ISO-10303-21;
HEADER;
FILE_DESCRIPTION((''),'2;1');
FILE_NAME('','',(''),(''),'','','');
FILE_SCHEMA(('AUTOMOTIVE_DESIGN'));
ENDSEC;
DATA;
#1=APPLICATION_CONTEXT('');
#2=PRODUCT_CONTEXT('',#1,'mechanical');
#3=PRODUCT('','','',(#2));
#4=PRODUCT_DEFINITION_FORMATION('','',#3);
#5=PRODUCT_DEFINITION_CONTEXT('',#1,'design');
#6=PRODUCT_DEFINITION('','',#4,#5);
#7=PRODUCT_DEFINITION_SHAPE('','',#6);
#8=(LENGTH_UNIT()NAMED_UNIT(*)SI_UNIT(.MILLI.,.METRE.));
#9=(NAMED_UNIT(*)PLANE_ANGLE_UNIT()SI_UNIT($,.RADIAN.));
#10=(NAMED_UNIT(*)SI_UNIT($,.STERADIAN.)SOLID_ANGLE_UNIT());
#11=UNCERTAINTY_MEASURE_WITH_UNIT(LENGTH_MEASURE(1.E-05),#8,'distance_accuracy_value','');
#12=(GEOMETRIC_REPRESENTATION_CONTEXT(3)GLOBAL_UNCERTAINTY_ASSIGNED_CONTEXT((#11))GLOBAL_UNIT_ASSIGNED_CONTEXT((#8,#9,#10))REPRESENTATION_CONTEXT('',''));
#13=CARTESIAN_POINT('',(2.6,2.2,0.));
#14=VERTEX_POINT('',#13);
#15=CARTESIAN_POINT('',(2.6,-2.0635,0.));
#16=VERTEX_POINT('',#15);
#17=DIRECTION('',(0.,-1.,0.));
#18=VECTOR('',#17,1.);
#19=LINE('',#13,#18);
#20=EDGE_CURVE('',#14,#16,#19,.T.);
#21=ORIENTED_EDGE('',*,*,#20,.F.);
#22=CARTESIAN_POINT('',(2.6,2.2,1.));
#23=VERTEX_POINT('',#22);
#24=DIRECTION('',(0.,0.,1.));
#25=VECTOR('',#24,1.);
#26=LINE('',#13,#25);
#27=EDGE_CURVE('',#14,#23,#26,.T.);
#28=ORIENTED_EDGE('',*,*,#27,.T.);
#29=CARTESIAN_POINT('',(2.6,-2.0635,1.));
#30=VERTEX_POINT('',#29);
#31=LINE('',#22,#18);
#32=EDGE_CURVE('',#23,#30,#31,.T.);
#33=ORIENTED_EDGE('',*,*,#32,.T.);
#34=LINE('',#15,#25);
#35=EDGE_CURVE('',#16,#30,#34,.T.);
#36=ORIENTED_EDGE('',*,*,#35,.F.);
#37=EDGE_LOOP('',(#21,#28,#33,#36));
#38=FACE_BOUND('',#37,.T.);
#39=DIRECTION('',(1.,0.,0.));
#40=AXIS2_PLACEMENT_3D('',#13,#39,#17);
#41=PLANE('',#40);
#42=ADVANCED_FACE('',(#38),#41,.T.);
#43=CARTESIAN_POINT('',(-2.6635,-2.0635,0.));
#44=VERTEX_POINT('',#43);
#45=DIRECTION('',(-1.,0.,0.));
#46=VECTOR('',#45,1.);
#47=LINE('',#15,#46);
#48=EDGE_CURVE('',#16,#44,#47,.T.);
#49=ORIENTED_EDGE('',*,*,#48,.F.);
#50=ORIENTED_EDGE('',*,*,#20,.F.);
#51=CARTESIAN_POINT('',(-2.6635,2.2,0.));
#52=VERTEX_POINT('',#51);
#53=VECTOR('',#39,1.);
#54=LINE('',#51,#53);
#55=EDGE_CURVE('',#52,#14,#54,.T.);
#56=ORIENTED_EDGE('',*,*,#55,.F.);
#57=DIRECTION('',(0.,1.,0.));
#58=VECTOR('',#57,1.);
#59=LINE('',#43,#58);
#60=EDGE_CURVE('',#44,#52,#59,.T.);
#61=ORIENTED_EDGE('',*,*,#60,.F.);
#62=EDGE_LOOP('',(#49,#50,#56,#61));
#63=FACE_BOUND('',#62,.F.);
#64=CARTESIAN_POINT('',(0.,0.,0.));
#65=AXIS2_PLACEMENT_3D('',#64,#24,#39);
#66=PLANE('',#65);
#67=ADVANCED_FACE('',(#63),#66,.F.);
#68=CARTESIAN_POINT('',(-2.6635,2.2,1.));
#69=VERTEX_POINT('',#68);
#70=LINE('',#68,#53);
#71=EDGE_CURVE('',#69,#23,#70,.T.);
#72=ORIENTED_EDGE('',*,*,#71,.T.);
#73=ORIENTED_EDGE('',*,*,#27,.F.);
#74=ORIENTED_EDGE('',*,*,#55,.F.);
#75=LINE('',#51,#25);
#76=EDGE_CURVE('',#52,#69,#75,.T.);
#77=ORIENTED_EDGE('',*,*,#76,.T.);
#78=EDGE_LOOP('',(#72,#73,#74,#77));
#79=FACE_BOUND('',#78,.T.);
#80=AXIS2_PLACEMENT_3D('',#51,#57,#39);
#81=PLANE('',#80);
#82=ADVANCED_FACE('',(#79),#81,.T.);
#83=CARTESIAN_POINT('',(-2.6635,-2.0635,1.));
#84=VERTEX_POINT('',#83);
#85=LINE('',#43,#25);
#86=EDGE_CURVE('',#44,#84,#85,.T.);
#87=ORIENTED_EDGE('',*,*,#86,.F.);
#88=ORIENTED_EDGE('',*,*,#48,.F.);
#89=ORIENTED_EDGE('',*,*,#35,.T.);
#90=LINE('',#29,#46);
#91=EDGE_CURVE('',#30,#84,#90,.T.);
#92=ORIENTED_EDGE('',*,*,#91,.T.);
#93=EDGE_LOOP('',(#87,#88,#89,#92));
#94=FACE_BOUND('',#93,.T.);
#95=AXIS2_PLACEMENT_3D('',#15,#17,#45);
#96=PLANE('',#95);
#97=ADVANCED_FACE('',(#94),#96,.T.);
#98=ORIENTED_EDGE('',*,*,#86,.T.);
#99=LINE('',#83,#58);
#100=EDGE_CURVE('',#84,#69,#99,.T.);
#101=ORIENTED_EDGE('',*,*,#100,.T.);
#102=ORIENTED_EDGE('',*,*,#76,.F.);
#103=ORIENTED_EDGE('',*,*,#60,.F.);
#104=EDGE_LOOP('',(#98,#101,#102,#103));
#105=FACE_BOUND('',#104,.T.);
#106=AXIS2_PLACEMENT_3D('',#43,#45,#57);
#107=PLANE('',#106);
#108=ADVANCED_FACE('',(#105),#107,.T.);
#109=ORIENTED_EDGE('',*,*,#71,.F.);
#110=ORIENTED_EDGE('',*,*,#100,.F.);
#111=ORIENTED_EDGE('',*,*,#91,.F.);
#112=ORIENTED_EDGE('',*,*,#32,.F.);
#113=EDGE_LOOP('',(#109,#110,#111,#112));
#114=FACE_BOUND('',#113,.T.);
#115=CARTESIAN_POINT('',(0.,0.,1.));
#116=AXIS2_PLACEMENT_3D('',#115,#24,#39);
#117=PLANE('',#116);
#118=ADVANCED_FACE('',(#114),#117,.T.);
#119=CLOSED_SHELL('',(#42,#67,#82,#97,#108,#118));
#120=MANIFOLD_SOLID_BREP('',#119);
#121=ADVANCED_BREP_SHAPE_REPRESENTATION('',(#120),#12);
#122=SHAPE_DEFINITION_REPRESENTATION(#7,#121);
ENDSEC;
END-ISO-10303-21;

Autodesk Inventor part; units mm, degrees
ref_plane "YZ Plane" through (0, 0, 0) normal (1, 0, 0) x (0, 1, 0)
ref_plane "XZ Plane" through (0, 0, 0) normal (0, 1, 0) x (-1, 0, 0)
ref_plane "XY Plane" through (0, 0, 0) normal (0, 0, 1) x (1, 0, 0)
sketch "JST-SH-03, JST-SH-03_100" plane through (0, 0, 0) normal (0, 0, 1) x (1, 0, 0)
  line L0 (-2.6635, 2.2) -> (2.6, 2.2)
  line L1 (2.6, 2.2) -> (2.6, -2.0635)
  line L2 (2.6, -2.0635) -> (-2.6635, -2.0635)
  line L3 (-2.6635, -2.0635) -> (-2.6635, 2.2)
extrude "Extrusion1" add sketch "JST-SH-03, JST-SH-03_100" along normal blind 1
properties part number "JST-SH-03"
